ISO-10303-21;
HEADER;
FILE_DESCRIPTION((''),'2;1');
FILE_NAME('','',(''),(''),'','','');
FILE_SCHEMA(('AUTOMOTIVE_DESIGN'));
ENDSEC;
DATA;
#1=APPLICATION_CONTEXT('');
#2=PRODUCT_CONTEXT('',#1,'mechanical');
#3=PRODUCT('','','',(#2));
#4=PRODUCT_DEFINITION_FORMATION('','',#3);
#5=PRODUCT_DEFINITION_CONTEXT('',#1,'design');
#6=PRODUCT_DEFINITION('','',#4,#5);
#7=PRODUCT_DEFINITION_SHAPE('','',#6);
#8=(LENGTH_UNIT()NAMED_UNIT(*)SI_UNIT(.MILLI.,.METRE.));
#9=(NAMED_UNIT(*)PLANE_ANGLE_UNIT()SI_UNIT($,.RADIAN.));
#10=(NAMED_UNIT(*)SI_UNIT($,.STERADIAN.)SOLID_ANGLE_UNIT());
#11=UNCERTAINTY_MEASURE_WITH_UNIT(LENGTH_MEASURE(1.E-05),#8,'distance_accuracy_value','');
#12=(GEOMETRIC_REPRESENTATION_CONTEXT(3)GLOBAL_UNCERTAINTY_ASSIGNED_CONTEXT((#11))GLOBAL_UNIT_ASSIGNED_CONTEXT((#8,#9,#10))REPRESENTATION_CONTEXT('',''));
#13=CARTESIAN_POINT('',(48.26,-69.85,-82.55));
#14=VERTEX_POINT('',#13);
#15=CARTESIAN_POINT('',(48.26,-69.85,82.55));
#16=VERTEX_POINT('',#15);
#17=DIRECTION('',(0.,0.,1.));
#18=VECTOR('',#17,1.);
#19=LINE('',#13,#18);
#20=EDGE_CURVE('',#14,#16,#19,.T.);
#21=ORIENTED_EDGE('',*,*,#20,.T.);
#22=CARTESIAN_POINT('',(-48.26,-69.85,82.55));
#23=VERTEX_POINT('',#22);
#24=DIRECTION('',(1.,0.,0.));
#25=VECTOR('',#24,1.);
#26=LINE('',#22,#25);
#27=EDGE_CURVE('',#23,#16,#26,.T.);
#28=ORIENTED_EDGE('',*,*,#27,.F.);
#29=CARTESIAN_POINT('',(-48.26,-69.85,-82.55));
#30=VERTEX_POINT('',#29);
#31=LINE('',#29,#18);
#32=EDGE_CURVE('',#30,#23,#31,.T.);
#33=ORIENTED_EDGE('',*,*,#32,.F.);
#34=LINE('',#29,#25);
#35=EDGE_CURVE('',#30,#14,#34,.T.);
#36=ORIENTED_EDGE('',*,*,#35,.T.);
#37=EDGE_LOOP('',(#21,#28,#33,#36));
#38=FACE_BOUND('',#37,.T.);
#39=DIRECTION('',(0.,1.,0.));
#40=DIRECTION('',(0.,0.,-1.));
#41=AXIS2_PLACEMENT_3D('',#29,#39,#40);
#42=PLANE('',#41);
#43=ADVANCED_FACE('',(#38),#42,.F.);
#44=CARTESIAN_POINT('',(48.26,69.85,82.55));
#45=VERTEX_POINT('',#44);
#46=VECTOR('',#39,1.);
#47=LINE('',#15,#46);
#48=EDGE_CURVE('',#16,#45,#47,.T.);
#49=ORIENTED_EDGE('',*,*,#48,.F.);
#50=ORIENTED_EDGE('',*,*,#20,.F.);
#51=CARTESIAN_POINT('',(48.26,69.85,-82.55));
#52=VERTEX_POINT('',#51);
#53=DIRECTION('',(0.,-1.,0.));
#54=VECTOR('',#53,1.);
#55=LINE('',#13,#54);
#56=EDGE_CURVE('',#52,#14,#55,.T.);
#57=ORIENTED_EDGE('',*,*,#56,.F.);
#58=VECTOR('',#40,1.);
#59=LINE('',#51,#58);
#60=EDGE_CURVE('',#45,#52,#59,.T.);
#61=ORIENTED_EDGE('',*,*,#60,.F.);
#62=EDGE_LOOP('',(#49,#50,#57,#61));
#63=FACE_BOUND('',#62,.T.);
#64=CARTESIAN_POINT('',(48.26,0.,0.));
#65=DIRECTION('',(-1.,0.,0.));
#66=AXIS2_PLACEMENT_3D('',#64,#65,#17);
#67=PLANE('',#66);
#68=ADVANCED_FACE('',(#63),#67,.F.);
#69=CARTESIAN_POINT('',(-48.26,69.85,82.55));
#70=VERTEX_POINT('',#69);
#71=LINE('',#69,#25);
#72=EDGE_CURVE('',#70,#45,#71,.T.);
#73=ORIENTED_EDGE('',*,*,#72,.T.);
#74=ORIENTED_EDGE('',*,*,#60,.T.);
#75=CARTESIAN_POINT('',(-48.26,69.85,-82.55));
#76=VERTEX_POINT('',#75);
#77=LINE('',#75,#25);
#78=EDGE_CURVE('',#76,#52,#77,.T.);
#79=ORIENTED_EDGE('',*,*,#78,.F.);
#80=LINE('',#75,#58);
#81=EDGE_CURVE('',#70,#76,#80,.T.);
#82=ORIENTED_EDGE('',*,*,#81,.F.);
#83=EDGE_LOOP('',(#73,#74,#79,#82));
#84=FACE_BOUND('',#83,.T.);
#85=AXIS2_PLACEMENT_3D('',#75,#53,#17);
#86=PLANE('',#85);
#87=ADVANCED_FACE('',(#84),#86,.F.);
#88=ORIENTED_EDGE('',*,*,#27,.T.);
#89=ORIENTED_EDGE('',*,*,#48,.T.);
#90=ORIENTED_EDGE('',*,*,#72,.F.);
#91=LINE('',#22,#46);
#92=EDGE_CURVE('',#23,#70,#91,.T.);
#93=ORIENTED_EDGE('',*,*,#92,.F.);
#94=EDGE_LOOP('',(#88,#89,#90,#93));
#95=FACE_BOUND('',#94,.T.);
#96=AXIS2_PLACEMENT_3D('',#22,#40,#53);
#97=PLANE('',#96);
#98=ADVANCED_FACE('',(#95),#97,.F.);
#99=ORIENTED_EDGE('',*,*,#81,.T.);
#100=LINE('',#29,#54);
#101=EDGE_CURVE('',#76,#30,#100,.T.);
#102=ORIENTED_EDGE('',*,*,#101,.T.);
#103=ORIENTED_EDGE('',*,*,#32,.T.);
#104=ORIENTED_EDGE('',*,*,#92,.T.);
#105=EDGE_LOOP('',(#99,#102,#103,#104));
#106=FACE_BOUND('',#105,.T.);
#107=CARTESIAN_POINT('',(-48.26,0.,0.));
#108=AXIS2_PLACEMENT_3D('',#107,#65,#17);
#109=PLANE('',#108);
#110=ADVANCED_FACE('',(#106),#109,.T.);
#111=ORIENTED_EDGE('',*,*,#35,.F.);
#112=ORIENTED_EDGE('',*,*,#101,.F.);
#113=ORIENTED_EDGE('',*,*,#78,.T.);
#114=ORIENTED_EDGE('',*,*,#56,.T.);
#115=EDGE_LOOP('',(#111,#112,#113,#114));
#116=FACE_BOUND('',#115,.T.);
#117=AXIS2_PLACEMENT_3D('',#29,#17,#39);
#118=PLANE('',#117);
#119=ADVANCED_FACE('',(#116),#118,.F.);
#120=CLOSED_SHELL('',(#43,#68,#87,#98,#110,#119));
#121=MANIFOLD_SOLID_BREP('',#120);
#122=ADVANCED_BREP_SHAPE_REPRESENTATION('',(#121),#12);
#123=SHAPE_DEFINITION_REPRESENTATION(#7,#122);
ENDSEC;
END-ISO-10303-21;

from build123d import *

# Parameters (mm, degrees)
SKETCH1_W             = 139.7
SKETCH1_H             = 165.1
BOSS_EXTRUDE4_DEPTH   = 48.26
BODY_MOVE_COPY1_ANGLE = 90


with BuildPart() as part:
    # Sketch1 → Boss-Extrude4 (new body, symmetric)
    with BuildSketch(Plane(origin=(0, 0, 0), x_dir=(1, 0, 0), z_dir=(0, 1, 0))):
        Rectangle(SKETCH1_W, SKETCH1_H)
    extrude(amount=BOSS_EXTRUDE4_DEPTH, both=True)


with BuildPart() as part_1:
    # Body-Move/Copy1: moved
    add(part.part.rotate(Axis((0, 0, 0), (0, 0, 1)), BODY_MOVE_COPY1_ANGLE))


solid = part_1.part
